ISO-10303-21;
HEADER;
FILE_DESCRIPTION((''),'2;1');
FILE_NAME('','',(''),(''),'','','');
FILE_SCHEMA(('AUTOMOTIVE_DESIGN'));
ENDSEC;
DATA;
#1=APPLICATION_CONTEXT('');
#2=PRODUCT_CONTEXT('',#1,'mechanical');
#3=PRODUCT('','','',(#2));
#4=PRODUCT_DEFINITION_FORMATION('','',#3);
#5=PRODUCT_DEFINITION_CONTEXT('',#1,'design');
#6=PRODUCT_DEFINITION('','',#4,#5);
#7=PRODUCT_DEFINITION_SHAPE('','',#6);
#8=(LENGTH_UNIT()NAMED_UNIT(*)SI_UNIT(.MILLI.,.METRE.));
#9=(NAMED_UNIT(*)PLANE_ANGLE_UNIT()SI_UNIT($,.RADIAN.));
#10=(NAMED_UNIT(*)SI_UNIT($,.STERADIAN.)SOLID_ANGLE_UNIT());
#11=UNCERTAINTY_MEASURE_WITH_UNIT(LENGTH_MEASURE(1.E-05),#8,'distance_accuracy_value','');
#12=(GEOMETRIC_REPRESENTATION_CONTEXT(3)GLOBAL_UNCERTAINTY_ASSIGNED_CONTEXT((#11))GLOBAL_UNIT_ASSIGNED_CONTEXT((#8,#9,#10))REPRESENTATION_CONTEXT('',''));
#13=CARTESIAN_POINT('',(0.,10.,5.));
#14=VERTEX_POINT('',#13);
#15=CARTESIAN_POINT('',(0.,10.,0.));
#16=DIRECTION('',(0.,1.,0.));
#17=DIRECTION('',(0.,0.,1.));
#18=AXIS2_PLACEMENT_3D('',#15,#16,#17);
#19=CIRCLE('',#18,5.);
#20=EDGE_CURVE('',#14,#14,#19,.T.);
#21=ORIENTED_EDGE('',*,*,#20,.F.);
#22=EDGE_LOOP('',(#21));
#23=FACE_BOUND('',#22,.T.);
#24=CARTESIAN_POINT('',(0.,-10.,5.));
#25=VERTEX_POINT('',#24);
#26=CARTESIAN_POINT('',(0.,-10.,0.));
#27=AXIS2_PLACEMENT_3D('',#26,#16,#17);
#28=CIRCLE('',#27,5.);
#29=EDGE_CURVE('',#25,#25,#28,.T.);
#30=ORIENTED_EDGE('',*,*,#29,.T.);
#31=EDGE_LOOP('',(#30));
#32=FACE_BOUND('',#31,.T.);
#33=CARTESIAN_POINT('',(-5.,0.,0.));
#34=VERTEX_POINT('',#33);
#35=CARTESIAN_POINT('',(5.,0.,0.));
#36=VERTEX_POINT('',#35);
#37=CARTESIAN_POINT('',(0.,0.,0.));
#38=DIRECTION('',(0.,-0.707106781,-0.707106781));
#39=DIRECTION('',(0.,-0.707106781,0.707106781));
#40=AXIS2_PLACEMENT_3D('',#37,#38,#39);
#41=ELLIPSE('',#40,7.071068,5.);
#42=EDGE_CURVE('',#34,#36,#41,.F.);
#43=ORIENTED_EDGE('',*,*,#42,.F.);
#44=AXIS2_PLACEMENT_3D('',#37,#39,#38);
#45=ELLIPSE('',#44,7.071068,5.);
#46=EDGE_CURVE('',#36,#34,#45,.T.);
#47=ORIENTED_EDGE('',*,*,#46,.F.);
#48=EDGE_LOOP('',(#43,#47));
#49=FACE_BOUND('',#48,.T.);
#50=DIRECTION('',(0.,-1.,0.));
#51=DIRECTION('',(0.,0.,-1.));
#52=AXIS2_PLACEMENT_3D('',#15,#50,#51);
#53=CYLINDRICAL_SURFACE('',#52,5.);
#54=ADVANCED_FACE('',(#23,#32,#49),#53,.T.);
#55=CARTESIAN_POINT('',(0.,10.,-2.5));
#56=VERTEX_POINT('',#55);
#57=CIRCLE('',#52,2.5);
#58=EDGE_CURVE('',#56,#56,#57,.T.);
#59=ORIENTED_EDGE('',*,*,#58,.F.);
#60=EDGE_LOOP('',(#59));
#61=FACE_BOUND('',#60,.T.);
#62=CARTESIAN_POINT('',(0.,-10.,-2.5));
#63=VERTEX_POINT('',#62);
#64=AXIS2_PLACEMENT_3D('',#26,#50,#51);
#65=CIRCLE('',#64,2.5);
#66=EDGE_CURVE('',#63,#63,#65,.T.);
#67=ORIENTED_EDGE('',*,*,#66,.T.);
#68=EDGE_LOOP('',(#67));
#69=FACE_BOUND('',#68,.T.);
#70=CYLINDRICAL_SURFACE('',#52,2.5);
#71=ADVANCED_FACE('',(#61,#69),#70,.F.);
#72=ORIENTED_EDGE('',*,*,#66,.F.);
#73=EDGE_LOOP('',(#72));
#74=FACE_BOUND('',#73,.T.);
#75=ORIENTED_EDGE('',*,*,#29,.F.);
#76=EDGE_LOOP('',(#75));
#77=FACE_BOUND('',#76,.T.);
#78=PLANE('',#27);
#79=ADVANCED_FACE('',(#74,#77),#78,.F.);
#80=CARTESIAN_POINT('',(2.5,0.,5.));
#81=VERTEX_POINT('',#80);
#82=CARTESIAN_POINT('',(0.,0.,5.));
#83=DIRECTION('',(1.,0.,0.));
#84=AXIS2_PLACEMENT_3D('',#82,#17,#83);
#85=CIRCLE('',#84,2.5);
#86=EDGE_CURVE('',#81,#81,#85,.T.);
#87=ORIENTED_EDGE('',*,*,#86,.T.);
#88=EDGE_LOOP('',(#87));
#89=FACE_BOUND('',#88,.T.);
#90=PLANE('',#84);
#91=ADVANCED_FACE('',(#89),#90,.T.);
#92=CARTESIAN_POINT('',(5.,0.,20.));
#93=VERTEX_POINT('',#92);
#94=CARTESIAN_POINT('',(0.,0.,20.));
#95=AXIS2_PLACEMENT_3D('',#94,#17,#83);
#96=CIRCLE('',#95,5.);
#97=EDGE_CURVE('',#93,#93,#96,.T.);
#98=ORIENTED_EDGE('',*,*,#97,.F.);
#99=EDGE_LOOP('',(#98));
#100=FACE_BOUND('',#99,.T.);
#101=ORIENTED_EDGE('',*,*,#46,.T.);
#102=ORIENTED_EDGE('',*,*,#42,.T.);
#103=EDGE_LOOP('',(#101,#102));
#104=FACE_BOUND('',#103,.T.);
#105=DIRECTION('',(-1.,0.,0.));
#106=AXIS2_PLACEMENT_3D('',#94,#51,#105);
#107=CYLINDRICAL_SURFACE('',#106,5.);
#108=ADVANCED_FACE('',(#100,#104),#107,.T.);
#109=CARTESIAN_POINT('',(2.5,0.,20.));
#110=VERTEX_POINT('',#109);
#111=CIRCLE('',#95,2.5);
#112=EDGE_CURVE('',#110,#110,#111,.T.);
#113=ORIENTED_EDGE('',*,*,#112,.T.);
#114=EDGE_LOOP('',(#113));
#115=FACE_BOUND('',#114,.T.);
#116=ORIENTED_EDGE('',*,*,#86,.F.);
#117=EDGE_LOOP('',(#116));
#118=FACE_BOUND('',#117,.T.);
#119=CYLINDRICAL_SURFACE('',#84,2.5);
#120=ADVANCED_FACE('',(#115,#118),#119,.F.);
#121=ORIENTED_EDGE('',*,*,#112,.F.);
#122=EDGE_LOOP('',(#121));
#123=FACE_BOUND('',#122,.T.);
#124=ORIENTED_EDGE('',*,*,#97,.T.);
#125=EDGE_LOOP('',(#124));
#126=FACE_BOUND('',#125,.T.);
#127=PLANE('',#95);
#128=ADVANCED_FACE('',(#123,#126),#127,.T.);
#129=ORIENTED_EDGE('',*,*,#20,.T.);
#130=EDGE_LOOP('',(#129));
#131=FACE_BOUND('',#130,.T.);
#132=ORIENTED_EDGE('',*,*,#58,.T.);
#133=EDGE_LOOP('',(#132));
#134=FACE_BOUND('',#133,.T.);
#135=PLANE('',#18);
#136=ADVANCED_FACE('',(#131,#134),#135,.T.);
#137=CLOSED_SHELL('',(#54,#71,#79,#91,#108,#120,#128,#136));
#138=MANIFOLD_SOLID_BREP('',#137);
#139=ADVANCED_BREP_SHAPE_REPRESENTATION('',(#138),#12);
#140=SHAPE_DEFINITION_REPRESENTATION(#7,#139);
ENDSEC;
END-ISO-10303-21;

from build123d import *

# Parameters (mm, degrees)
SKETCH_1_R          = 5
EXTRUDE_1_DEPTH     = 10
SKETCH_2_R          = 5
EXTRUDE_2_DEPTH     = 20
SKETCH_3_R          = 2.5
CUT_EXTRUDE_1_DEPTH = 15
SKETCH_4_R          = 2.5
CUT_EXTRUDE_2_DEPTH = 29.722813233


with BuildPart() as part:
    # 草圖1 → 填料-伸長1 (new, symmetric)
    with BuildSketch(Plane(origin=(0, 0, 0), x_dir=(1, 0, 0), z_dir=(0, 1, 0))):
        with Locations(Location((0, 0, 0), (0, 0, 270))):
            Circle(SKETCH_1_R)
    extrude(amount=EXTRUDE_1_DEPTH, both=True)

    # 草圖2 → 填料-伸長2 (add)
    with BuildSketch(Plane.XY):
        Circle(SKETCH_2_R)
    extrude(amount=EXTRUDE_2_DEPTH)

    # 草圖3 → 除料-伸長1 (cut)
    with BuildSketch(Plane.XY.offset(20)):
        Circle(SKETCH_3_R)
    extrude(amount=-CUT_EXTRUDE_1_DEPTH, mode=Mode.SUBTRACT)

    # 草圖4 → 除料-伸長2 (cut, through all)
    with BuildSketch(Plane.XZ.offset(10)):
        with Locations(Location((0, 0, 0), (0, 0, 270))):
            Circle(SKETCH_4_R)
    extrude(amount=-CUT_EXTRUDE_2_DEPTH, mode=Mode.SUBTRACT)


solid = part.part
